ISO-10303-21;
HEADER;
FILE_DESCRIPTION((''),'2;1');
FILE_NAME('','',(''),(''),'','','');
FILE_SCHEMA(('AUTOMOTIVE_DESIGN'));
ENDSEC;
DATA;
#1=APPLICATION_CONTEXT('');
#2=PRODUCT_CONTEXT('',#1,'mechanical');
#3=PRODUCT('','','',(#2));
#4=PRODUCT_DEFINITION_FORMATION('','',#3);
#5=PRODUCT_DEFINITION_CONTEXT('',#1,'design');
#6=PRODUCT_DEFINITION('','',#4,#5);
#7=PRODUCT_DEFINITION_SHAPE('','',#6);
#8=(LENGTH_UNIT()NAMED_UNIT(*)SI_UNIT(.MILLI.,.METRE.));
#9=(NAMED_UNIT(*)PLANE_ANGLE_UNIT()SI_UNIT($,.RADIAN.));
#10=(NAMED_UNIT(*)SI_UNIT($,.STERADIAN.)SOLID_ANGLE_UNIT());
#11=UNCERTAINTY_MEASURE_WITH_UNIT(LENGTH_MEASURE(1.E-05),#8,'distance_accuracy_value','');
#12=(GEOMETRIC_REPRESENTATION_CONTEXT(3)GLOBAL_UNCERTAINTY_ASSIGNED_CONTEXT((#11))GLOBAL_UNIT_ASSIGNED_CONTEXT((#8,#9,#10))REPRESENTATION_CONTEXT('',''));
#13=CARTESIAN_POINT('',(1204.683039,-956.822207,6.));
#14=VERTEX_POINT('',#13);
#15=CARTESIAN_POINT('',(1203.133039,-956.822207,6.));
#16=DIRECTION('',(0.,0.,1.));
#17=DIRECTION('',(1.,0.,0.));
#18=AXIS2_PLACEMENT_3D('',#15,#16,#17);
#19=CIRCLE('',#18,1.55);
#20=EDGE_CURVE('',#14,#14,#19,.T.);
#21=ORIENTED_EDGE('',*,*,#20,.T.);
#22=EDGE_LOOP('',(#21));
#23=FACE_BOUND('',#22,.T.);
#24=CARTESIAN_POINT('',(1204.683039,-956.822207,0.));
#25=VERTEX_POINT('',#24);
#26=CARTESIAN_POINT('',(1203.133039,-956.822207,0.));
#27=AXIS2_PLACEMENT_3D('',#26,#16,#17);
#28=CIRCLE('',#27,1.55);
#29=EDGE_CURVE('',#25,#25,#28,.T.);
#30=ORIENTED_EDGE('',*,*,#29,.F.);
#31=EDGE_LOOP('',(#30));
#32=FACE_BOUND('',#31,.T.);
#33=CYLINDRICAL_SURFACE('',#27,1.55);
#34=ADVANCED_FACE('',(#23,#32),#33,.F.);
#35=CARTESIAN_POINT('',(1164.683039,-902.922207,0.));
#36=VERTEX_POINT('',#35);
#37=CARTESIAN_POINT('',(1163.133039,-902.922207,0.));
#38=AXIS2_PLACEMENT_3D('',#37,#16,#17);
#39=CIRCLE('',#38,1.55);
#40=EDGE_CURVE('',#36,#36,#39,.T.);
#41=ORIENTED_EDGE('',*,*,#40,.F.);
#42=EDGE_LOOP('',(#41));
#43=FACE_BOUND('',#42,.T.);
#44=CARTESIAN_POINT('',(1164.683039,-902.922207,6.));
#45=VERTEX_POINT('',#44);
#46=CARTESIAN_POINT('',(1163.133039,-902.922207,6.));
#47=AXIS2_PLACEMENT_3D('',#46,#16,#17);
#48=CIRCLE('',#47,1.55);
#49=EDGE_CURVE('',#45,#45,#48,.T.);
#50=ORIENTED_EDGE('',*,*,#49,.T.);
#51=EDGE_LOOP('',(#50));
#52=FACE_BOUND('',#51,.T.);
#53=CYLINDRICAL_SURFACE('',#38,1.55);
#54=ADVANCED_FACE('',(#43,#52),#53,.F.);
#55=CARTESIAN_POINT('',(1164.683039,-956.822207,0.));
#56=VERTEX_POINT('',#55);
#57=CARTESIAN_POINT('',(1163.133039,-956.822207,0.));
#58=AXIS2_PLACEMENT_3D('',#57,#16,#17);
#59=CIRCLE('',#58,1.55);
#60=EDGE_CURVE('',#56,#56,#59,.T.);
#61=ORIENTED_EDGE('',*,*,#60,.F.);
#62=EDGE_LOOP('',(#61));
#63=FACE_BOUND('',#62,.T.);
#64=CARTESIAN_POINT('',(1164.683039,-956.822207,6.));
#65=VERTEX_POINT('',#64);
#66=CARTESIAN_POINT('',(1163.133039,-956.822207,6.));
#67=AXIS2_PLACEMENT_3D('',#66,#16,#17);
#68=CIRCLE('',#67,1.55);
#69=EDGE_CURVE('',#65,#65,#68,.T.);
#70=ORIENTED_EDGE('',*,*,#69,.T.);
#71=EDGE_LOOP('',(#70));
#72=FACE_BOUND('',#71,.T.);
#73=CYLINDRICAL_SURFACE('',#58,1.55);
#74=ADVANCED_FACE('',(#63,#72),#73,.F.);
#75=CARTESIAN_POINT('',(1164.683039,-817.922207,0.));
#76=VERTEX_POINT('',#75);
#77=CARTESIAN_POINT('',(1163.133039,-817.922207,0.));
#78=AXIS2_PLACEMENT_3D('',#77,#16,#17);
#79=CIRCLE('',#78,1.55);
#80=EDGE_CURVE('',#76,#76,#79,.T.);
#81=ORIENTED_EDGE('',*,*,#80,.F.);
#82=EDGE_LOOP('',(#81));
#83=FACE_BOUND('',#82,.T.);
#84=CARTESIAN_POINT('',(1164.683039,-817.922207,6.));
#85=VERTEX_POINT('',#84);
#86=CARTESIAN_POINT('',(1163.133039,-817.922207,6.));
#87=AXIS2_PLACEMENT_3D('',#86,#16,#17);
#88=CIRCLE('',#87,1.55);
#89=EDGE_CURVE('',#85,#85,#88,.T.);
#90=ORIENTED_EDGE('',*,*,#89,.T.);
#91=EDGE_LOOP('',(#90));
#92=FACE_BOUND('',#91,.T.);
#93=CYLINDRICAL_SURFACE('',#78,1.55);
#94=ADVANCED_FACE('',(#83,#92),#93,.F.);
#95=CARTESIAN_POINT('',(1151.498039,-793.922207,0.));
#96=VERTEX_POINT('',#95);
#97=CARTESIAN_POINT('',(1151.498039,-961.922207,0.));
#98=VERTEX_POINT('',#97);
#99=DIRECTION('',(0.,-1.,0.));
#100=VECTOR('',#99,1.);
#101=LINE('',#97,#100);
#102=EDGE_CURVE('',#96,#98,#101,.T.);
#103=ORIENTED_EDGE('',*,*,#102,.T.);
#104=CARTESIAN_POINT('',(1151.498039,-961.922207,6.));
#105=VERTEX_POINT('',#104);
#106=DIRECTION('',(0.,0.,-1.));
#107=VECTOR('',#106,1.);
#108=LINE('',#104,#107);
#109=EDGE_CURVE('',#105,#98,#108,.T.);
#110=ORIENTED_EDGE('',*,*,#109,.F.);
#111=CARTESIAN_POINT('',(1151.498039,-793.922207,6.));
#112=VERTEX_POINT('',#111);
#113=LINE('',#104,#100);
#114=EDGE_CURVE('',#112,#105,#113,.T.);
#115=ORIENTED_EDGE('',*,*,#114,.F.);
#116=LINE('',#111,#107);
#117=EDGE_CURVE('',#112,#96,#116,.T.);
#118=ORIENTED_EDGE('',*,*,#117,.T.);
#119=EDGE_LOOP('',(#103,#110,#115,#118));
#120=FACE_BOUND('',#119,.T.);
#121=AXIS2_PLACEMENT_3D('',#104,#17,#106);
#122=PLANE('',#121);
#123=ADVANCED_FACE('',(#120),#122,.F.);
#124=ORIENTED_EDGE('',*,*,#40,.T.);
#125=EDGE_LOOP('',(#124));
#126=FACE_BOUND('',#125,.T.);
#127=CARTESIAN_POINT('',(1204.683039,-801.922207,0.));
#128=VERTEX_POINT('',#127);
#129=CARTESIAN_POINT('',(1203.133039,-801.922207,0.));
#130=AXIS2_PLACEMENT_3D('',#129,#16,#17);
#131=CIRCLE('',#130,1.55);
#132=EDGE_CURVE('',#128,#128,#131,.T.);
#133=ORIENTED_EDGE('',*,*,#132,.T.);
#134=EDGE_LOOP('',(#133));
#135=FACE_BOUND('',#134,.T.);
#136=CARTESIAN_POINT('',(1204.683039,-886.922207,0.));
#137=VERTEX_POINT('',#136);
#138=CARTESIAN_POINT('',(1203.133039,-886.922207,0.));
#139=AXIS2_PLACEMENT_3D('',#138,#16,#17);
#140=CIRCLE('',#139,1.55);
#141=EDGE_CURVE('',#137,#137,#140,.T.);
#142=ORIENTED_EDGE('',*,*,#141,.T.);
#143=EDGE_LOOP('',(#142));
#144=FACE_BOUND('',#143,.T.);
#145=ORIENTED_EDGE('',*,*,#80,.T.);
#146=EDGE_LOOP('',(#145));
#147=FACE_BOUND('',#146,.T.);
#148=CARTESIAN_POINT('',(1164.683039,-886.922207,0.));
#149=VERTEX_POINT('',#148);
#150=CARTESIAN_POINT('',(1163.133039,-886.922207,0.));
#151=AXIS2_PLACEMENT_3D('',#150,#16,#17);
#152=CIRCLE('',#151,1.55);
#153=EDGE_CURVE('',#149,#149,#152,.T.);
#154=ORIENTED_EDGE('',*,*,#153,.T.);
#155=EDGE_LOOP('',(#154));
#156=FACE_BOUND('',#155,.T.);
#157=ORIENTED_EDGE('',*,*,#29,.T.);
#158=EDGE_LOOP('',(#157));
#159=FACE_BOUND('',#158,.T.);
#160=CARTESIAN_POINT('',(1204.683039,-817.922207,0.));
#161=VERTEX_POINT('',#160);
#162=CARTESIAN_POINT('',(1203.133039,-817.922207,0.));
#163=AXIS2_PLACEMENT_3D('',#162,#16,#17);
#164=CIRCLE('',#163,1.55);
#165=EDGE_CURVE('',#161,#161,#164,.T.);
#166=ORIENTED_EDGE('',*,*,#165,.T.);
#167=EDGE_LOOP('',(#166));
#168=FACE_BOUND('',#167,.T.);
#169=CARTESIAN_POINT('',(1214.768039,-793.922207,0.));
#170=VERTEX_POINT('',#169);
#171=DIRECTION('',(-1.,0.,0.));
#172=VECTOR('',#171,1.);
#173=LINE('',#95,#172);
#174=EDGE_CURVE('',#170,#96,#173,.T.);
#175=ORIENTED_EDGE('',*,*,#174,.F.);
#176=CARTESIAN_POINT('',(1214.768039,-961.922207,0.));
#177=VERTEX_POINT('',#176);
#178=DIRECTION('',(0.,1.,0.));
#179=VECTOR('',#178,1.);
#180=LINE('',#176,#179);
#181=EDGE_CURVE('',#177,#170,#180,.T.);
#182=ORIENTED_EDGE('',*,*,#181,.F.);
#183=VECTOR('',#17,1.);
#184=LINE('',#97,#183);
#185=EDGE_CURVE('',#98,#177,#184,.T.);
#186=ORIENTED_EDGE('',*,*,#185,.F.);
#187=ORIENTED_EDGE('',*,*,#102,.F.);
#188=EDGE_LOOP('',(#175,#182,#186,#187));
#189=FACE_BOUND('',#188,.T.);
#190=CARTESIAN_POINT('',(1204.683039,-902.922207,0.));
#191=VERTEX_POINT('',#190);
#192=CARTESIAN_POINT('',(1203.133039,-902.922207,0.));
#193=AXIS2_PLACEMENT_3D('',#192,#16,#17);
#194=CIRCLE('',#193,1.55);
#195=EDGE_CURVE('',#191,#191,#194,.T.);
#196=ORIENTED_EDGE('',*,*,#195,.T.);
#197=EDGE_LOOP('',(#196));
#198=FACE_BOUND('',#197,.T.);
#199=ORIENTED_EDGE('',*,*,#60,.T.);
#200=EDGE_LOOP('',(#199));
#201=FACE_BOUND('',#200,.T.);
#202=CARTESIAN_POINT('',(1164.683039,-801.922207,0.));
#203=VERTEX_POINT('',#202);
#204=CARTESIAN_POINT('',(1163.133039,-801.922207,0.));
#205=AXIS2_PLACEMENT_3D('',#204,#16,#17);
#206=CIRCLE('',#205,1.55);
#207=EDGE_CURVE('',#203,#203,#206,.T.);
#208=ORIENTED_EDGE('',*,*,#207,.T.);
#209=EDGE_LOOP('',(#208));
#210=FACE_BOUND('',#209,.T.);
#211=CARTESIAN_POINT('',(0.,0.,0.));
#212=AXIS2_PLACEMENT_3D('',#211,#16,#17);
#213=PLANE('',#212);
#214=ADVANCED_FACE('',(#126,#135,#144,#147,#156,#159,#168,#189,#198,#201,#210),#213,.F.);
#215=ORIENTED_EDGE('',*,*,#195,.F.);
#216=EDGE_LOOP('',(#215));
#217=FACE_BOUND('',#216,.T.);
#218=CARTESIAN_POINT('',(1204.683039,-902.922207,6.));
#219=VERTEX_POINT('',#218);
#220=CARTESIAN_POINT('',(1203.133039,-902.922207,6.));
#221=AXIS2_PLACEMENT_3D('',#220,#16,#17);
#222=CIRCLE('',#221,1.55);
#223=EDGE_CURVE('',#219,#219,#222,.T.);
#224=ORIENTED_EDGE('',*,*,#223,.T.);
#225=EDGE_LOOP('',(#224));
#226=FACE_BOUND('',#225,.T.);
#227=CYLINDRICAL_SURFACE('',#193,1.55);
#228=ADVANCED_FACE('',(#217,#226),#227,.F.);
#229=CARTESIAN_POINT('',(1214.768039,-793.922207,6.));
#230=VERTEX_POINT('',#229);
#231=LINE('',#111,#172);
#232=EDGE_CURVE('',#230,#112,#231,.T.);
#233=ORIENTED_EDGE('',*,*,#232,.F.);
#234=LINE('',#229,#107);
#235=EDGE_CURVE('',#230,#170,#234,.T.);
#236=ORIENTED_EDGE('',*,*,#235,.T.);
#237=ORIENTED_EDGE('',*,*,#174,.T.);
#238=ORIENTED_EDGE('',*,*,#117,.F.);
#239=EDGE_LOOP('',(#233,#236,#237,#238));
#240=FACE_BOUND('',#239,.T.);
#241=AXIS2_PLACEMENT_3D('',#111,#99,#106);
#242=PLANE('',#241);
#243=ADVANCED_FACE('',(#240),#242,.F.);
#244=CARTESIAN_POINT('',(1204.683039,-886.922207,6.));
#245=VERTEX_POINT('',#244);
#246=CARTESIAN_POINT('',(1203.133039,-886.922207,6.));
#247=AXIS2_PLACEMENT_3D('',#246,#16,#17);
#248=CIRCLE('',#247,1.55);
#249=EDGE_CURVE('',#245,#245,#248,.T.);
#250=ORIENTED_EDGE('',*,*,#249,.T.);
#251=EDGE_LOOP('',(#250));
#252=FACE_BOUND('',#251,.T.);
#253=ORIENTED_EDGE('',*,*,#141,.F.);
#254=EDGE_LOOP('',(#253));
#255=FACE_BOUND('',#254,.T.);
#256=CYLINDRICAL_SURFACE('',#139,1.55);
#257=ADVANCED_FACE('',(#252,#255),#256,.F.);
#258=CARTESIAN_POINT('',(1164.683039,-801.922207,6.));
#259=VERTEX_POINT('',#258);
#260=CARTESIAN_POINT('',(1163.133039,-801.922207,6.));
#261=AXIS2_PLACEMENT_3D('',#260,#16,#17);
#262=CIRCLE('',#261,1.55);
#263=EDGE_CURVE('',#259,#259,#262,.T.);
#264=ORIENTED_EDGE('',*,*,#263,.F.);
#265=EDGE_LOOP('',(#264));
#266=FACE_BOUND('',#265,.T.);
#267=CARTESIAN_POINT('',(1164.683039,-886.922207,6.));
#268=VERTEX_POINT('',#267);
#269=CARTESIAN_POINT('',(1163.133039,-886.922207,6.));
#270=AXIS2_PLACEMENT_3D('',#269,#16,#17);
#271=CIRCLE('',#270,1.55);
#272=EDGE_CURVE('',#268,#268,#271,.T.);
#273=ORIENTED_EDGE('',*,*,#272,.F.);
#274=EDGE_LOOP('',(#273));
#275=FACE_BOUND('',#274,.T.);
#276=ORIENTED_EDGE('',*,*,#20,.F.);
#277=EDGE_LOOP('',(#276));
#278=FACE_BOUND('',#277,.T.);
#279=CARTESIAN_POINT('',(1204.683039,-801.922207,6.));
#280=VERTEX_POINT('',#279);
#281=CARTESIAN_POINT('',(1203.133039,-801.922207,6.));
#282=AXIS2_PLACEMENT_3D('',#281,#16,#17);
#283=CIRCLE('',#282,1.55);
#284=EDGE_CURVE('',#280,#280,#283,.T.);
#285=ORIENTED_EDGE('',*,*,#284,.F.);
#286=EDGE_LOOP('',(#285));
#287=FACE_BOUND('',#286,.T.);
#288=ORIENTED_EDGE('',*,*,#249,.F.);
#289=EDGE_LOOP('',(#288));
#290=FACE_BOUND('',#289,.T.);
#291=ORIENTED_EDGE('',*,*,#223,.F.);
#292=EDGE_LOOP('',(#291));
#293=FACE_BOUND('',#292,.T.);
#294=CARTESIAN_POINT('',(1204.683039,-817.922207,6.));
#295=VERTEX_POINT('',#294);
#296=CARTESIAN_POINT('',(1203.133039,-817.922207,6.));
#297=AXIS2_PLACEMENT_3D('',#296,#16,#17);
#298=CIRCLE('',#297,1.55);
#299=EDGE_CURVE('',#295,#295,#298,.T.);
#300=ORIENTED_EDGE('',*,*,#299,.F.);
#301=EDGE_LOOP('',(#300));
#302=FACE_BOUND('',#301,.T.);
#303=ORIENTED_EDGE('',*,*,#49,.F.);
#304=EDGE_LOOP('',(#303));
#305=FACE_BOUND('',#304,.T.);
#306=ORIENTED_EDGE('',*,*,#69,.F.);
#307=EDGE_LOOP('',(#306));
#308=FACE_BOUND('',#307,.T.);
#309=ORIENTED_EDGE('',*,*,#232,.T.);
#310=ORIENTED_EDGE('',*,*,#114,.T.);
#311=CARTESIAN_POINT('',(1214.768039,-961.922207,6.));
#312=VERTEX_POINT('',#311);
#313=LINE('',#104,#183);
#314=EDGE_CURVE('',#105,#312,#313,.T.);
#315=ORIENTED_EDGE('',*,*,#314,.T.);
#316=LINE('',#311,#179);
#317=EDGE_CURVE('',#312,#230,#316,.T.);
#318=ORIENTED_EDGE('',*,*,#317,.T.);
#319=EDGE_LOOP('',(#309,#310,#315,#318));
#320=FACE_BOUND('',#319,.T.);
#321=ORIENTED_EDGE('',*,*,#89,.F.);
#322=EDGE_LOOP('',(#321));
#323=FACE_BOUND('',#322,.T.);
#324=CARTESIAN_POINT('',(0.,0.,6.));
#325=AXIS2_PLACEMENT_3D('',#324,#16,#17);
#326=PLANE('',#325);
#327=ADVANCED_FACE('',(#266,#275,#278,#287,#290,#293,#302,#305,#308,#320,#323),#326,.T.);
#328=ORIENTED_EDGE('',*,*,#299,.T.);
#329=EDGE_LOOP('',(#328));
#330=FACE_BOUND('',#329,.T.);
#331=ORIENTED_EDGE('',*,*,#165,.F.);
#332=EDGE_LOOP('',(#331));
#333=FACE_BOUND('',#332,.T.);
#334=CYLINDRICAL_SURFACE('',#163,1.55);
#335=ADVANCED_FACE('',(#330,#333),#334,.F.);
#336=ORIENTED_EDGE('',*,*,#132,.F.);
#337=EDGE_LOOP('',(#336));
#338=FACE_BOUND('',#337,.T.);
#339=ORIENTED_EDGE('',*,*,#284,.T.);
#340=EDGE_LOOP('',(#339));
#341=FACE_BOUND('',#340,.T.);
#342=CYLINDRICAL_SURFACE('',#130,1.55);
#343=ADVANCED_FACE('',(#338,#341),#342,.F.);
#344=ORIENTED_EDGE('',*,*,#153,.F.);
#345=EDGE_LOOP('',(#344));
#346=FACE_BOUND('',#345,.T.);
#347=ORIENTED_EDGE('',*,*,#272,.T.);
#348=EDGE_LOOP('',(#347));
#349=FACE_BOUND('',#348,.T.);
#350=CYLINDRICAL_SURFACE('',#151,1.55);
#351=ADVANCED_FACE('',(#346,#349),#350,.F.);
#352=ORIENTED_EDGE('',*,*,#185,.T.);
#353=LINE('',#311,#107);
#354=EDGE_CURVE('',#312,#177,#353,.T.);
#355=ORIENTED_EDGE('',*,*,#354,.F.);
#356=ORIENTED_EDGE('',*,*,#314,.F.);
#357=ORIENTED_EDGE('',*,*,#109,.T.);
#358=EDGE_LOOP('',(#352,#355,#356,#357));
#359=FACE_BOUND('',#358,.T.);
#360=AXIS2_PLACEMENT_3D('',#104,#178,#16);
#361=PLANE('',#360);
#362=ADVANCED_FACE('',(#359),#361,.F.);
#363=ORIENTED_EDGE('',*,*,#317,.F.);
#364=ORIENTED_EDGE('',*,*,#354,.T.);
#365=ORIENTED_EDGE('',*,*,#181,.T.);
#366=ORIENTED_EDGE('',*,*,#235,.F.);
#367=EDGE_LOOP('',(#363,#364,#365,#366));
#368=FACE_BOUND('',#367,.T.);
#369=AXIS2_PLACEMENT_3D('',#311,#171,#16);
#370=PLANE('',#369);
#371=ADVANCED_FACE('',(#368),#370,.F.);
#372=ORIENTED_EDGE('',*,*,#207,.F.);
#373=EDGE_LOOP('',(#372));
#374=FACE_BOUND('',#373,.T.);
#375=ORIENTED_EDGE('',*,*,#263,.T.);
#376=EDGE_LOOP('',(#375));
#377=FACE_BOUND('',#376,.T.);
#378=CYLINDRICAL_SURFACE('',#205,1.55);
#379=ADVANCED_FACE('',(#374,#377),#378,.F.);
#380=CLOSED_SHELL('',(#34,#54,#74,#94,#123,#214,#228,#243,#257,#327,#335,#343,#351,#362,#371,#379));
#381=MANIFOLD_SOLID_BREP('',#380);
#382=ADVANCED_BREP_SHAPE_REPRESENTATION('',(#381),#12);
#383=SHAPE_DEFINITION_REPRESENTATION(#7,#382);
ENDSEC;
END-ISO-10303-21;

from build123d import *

# Parameters (mm, degrees)
SZKIC1_W                    = 63.27
SZKIC1_H                    = 168
DODANIE_WYCI_GNI_CIE1_DEPTH = 6
SZKIC5_R                    = 1.55
WYTNIJ_WYCI_GNI_CIE1_DEPTH  = 6
SZYK_LINIOWY1_COUNT         = 2
SZYK_LINIOWY1_PITCH         = 16


with BuildPart() as part:
    # Szkic1 → Dodanie-wyciągnięcie1 (new body)
    with BuildSketch(Plane.XY):
        with Locations((1183.133039301, -877.922207314)):
            Rectangle(SZKIC1_W, SZKIC1_H)
    extrude(amount=DODANIE_WYCI_GNI_CIE1_DEPTH)

    # Szkic5 → Wytnij-wyciągnięcie1 (cut)
    with BuildSketch(Plane.XY.offset(6)):
        with Locations((1203.133039301, -956.822207314)):
            Circle(SZKIC5_R)
        with Locations((1163.133039301, -956.822207314)):
            Circle(SZKIC5_R)
        with Locations((1163.133039301, -886.922207314)):
            Circle(SZKIC5_R)
        with Locations((1203.133039301, -886.922207314)):
            Circle(SZKIC5_R)
        with Locations((1203.133039301, -801.922207314)):
            Circle(SZKIC5_R)
        with Locations((1163.133039301, -801.922207314)):
            Circle(SZKIC5_R)
    wytnij_wyci_gni_cie1 = extrude(amount=-WYTNIJ_WYCI_GNI_CIE1_DEPTH, mode=Mode.SUBTRACT)

    # Szyk liniowy1: Wytnij-wyciągnięcie1 ×2
    with Locations(*[(0, -i * SZYK_LINIOWY1_PITCH, 0) for i in range(1, SZYK_LINIOWY1_COUNT)]):
        add(wytnij_wyci_gni_cie1, mode=Mode.SUBTRACT)


solid = part.part
